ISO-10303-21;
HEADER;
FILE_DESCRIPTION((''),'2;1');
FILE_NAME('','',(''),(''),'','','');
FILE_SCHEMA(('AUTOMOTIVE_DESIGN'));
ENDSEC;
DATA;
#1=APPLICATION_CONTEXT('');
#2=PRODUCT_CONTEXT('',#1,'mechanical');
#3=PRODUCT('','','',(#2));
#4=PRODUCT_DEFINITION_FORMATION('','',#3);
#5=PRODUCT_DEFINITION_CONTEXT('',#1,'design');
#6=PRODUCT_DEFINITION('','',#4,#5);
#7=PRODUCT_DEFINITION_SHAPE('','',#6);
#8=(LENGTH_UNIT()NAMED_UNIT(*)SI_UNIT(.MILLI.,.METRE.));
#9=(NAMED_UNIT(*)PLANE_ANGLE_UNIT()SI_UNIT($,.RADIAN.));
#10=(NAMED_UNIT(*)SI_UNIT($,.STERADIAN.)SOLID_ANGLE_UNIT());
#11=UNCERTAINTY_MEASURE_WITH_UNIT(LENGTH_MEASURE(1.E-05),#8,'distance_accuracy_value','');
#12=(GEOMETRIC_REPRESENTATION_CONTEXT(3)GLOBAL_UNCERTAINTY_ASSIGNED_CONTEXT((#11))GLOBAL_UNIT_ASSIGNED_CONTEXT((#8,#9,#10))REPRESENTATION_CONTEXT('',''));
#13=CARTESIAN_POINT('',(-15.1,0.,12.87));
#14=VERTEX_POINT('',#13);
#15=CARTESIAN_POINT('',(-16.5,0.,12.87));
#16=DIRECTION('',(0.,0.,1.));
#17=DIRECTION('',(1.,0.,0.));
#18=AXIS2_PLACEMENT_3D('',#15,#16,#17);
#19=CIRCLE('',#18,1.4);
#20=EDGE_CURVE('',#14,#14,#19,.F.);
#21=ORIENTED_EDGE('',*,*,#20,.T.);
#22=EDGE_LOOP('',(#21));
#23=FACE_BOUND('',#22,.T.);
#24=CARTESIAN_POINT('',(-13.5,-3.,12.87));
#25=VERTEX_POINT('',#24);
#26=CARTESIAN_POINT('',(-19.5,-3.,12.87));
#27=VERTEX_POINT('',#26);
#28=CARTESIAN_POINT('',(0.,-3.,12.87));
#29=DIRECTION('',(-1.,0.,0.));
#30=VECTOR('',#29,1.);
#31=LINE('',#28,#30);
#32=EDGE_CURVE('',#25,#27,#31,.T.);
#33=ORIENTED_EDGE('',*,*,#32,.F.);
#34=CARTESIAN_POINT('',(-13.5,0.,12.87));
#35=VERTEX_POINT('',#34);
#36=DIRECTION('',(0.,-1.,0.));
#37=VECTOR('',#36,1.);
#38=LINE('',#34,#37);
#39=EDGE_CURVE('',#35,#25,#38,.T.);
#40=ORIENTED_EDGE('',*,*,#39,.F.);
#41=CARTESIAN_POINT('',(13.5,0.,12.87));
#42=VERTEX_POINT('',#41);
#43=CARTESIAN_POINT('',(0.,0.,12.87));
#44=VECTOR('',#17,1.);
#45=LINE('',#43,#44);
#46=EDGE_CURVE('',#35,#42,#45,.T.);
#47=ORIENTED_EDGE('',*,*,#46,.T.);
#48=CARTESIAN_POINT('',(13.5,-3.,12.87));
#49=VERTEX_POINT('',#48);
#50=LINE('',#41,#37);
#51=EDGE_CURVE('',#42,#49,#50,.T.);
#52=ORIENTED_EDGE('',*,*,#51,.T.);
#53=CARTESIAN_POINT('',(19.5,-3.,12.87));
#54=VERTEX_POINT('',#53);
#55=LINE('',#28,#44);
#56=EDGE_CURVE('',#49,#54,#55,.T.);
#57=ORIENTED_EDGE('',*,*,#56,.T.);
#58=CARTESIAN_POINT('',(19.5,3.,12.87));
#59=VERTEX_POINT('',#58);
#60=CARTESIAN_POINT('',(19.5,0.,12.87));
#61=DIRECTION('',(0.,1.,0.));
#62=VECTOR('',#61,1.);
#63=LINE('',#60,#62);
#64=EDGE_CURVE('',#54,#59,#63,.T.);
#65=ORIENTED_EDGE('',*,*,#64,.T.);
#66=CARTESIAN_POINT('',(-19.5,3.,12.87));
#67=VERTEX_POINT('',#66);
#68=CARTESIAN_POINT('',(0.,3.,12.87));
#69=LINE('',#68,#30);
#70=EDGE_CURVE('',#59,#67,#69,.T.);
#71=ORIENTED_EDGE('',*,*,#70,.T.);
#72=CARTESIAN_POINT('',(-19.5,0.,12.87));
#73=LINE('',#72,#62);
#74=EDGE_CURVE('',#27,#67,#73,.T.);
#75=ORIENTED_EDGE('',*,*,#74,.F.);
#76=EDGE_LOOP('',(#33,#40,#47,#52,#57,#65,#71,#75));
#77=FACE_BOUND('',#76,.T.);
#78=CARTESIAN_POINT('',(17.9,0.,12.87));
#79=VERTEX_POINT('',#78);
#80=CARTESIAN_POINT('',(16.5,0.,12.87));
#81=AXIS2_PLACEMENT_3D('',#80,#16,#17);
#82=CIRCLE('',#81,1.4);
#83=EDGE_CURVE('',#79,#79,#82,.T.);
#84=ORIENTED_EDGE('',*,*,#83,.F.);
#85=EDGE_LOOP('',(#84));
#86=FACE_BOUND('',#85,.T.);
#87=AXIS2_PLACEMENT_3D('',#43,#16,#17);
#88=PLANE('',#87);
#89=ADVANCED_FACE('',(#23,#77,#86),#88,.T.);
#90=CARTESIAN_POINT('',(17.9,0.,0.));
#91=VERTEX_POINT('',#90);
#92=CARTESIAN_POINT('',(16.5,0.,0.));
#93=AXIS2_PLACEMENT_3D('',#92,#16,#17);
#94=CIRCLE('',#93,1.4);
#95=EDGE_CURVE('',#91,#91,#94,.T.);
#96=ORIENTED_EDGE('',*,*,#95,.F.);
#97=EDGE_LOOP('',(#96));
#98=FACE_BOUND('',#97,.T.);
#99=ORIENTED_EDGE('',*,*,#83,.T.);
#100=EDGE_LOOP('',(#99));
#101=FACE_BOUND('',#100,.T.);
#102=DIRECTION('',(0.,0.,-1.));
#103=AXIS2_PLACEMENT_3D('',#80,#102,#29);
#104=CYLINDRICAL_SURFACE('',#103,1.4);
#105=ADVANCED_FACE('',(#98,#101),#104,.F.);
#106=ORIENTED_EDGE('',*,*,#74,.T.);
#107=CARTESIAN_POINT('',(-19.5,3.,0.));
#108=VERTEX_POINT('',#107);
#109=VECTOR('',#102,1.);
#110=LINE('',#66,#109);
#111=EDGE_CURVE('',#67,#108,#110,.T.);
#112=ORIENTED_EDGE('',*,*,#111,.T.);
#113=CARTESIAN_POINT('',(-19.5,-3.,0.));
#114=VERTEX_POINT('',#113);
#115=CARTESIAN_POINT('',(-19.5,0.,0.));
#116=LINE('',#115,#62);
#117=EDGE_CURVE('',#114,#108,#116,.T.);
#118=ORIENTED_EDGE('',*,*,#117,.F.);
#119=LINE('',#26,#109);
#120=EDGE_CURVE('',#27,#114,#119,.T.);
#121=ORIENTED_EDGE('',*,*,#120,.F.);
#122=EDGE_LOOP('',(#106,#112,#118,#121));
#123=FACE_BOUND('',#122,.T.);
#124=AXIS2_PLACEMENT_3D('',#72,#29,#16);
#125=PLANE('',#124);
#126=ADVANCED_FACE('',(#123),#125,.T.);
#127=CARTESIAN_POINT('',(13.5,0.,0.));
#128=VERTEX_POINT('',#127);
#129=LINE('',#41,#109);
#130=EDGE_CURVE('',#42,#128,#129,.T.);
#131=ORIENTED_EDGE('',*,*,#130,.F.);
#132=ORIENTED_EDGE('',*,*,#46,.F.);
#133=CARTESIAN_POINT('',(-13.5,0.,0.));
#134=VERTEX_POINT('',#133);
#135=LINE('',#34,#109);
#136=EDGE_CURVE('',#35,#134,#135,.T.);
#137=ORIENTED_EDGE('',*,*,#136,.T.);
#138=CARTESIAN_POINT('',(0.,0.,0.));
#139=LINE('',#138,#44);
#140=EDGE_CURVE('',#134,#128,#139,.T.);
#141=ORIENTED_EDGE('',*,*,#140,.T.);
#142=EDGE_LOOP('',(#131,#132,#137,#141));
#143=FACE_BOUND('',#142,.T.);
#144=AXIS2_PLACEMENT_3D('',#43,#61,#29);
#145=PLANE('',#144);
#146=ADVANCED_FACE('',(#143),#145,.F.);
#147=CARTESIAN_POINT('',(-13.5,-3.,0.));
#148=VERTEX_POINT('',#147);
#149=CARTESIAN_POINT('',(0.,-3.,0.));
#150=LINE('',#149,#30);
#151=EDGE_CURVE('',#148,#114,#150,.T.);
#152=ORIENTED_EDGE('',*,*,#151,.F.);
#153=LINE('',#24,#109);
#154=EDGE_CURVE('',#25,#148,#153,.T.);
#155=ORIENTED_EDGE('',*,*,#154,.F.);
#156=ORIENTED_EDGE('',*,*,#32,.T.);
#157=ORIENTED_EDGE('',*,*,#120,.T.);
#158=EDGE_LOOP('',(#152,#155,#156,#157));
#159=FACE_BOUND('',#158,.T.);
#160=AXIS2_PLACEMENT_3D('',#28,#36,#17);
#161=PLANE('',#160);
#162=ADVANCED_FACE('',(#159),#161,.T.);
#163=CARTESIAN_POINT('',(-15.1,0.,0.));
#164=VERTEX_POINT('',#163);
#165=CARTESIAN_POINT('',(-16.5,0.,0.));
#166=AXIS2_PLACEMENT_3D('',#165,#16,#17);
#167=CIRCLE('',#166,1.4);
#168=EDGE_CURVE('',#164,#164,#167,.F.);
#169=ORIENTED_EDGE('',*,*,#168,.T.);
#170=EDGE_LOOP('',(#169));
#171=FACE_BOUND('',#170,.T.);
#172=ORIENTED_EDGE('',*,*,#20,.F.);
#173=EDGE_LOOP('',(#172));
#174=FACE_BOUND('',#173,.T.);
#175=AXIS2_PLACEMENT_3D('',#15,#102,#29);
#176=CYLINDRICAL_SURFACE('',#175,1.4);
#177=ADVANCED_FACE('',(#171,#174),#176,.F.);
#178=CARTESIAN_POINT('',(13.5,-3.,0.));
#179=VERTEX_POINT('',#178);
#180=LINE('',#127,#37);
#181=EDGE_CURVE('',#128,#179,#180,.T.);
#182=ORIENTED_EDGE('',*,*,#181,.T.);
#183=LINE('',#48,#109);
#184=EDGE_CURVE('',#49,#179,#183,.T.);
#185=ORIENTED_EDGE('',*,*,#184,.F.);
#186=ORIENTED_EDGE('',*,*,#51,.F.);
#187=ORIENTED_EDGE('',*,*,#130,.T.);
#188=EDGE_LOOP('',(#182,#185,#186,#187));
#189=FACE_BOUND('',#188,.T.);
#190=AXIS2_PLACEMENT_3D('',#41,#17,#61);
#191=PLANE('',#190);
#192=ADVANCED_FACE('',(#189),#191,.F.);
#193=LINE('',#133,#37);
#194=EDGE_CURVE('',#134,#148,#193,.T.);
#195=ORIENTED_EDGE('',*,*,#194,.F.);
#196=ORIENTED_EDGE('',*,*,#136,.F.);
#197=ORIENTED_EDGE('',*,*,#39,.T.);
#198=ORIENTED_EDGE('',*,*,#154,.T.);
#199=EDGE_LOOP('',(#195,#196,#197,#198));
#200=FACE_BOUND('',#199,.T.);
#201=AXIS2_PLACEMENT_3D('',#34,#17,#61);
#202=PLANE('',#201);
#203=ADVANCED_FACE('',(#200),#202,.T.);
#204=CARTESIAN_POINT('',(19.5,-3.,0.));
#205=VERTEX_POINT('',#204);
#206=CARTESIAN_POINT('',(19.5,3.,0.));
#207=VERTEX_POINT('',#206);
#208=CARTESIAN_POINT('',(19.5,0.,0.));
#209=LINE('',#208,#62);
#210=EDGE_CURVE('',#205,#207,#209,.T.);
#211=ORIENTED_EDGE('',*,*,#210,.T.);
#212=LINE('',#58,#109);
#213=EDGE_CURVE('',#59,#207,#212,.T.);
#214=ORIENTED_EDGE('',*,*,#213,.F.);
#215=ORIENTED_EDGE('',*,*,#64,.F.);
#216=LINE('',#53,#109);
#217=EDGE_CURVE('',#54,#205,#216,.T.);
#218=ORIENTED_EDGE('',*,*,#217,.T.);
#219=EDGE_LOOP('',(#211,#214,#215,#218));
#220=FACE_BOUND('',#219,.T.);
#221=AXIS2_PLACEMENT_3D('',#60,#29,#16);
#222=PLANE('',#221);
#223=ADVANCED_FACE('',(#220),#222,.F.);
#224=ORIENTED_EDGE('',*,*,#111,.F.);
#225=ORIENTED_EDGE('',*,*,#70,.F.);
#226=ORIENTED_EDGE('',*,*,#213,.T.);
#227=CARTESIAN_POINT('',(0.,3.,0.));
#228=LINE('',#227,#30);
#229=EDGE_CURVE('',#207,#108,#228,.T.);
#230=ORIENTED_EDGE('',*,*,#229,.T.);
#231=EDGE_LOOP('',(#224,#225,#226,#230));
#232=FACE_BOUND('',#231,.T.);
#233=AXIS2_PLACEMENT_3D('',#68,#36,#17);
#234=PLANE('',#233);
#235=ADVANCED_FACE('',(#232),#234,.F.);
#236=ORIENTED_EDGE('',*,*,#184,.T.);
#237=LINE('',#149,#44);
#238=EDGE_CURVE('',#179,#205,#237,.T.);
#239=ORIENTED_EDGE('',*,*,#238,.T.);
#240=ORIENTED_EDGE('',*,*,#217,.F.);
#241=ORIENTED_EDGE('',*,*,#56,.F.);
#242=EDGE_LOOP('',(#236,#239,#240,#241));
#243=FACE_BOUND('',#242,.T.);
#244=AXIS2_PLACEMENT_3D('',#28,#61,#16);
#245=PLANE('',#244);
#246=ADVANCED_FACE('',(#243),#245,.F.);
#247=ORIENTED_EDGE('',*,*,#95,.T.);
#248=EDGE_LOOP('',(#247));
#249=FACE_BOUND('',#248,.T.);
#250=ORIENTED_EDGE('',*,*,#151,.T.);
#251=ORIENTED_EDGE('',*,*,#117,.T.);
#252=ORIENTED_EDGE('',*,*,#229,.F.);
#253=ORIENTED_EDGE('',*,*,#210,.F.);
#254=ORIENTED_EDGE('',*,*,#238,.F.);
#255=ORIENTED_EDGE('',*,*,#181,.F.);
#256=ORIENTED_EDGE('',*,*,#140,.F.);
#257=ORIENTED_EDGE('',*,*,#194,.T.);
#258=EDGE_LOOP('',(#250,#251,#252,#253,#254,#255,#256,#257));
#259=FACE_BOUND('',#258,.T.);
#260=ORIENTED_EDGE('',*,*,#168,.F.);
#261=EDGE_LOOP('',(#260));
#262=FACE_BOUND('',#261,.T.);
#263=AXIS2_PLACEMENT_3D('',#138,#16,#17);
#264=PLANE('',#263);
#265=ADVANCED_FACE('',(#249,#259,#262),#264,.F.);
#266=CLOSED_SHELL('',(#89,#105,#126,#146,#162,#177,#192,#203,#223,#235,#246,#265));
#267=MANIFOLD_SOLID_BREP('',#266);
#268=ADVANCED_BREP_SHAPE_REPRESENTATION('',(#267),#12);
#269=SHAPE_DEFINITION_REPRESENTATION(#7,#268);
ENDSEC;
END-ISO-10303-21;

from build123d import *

# Parameters (mm, degrees)
SKETCH1_R           = 1.4
BOSS_EXTRUDE1_DEPTH = 12.87


with BuildPart() as part:
    # Sketch1 → Boss-Extrude1 (new body)
    with BuildSketch(Plane.XY):
        Polygon((-13.5, 0), (-13.5, -3), (-19.5, -3), (-19.5, 3), (19.5, 3), (19.5, -3), (13.5, -3), (13.5, 0), align=None)
        with Locations((16.5, 0)):
            Circle(SKETCH1_R, mode=Mode.SUBTRACT)
        with Locations((-16.5, 0)):
            Circle(SKETCH1_R, mode=Mode.SUBTRACT)
    extrude(amount=BOSS_EXTRUDE1_DEPTH)


solid = part.part
